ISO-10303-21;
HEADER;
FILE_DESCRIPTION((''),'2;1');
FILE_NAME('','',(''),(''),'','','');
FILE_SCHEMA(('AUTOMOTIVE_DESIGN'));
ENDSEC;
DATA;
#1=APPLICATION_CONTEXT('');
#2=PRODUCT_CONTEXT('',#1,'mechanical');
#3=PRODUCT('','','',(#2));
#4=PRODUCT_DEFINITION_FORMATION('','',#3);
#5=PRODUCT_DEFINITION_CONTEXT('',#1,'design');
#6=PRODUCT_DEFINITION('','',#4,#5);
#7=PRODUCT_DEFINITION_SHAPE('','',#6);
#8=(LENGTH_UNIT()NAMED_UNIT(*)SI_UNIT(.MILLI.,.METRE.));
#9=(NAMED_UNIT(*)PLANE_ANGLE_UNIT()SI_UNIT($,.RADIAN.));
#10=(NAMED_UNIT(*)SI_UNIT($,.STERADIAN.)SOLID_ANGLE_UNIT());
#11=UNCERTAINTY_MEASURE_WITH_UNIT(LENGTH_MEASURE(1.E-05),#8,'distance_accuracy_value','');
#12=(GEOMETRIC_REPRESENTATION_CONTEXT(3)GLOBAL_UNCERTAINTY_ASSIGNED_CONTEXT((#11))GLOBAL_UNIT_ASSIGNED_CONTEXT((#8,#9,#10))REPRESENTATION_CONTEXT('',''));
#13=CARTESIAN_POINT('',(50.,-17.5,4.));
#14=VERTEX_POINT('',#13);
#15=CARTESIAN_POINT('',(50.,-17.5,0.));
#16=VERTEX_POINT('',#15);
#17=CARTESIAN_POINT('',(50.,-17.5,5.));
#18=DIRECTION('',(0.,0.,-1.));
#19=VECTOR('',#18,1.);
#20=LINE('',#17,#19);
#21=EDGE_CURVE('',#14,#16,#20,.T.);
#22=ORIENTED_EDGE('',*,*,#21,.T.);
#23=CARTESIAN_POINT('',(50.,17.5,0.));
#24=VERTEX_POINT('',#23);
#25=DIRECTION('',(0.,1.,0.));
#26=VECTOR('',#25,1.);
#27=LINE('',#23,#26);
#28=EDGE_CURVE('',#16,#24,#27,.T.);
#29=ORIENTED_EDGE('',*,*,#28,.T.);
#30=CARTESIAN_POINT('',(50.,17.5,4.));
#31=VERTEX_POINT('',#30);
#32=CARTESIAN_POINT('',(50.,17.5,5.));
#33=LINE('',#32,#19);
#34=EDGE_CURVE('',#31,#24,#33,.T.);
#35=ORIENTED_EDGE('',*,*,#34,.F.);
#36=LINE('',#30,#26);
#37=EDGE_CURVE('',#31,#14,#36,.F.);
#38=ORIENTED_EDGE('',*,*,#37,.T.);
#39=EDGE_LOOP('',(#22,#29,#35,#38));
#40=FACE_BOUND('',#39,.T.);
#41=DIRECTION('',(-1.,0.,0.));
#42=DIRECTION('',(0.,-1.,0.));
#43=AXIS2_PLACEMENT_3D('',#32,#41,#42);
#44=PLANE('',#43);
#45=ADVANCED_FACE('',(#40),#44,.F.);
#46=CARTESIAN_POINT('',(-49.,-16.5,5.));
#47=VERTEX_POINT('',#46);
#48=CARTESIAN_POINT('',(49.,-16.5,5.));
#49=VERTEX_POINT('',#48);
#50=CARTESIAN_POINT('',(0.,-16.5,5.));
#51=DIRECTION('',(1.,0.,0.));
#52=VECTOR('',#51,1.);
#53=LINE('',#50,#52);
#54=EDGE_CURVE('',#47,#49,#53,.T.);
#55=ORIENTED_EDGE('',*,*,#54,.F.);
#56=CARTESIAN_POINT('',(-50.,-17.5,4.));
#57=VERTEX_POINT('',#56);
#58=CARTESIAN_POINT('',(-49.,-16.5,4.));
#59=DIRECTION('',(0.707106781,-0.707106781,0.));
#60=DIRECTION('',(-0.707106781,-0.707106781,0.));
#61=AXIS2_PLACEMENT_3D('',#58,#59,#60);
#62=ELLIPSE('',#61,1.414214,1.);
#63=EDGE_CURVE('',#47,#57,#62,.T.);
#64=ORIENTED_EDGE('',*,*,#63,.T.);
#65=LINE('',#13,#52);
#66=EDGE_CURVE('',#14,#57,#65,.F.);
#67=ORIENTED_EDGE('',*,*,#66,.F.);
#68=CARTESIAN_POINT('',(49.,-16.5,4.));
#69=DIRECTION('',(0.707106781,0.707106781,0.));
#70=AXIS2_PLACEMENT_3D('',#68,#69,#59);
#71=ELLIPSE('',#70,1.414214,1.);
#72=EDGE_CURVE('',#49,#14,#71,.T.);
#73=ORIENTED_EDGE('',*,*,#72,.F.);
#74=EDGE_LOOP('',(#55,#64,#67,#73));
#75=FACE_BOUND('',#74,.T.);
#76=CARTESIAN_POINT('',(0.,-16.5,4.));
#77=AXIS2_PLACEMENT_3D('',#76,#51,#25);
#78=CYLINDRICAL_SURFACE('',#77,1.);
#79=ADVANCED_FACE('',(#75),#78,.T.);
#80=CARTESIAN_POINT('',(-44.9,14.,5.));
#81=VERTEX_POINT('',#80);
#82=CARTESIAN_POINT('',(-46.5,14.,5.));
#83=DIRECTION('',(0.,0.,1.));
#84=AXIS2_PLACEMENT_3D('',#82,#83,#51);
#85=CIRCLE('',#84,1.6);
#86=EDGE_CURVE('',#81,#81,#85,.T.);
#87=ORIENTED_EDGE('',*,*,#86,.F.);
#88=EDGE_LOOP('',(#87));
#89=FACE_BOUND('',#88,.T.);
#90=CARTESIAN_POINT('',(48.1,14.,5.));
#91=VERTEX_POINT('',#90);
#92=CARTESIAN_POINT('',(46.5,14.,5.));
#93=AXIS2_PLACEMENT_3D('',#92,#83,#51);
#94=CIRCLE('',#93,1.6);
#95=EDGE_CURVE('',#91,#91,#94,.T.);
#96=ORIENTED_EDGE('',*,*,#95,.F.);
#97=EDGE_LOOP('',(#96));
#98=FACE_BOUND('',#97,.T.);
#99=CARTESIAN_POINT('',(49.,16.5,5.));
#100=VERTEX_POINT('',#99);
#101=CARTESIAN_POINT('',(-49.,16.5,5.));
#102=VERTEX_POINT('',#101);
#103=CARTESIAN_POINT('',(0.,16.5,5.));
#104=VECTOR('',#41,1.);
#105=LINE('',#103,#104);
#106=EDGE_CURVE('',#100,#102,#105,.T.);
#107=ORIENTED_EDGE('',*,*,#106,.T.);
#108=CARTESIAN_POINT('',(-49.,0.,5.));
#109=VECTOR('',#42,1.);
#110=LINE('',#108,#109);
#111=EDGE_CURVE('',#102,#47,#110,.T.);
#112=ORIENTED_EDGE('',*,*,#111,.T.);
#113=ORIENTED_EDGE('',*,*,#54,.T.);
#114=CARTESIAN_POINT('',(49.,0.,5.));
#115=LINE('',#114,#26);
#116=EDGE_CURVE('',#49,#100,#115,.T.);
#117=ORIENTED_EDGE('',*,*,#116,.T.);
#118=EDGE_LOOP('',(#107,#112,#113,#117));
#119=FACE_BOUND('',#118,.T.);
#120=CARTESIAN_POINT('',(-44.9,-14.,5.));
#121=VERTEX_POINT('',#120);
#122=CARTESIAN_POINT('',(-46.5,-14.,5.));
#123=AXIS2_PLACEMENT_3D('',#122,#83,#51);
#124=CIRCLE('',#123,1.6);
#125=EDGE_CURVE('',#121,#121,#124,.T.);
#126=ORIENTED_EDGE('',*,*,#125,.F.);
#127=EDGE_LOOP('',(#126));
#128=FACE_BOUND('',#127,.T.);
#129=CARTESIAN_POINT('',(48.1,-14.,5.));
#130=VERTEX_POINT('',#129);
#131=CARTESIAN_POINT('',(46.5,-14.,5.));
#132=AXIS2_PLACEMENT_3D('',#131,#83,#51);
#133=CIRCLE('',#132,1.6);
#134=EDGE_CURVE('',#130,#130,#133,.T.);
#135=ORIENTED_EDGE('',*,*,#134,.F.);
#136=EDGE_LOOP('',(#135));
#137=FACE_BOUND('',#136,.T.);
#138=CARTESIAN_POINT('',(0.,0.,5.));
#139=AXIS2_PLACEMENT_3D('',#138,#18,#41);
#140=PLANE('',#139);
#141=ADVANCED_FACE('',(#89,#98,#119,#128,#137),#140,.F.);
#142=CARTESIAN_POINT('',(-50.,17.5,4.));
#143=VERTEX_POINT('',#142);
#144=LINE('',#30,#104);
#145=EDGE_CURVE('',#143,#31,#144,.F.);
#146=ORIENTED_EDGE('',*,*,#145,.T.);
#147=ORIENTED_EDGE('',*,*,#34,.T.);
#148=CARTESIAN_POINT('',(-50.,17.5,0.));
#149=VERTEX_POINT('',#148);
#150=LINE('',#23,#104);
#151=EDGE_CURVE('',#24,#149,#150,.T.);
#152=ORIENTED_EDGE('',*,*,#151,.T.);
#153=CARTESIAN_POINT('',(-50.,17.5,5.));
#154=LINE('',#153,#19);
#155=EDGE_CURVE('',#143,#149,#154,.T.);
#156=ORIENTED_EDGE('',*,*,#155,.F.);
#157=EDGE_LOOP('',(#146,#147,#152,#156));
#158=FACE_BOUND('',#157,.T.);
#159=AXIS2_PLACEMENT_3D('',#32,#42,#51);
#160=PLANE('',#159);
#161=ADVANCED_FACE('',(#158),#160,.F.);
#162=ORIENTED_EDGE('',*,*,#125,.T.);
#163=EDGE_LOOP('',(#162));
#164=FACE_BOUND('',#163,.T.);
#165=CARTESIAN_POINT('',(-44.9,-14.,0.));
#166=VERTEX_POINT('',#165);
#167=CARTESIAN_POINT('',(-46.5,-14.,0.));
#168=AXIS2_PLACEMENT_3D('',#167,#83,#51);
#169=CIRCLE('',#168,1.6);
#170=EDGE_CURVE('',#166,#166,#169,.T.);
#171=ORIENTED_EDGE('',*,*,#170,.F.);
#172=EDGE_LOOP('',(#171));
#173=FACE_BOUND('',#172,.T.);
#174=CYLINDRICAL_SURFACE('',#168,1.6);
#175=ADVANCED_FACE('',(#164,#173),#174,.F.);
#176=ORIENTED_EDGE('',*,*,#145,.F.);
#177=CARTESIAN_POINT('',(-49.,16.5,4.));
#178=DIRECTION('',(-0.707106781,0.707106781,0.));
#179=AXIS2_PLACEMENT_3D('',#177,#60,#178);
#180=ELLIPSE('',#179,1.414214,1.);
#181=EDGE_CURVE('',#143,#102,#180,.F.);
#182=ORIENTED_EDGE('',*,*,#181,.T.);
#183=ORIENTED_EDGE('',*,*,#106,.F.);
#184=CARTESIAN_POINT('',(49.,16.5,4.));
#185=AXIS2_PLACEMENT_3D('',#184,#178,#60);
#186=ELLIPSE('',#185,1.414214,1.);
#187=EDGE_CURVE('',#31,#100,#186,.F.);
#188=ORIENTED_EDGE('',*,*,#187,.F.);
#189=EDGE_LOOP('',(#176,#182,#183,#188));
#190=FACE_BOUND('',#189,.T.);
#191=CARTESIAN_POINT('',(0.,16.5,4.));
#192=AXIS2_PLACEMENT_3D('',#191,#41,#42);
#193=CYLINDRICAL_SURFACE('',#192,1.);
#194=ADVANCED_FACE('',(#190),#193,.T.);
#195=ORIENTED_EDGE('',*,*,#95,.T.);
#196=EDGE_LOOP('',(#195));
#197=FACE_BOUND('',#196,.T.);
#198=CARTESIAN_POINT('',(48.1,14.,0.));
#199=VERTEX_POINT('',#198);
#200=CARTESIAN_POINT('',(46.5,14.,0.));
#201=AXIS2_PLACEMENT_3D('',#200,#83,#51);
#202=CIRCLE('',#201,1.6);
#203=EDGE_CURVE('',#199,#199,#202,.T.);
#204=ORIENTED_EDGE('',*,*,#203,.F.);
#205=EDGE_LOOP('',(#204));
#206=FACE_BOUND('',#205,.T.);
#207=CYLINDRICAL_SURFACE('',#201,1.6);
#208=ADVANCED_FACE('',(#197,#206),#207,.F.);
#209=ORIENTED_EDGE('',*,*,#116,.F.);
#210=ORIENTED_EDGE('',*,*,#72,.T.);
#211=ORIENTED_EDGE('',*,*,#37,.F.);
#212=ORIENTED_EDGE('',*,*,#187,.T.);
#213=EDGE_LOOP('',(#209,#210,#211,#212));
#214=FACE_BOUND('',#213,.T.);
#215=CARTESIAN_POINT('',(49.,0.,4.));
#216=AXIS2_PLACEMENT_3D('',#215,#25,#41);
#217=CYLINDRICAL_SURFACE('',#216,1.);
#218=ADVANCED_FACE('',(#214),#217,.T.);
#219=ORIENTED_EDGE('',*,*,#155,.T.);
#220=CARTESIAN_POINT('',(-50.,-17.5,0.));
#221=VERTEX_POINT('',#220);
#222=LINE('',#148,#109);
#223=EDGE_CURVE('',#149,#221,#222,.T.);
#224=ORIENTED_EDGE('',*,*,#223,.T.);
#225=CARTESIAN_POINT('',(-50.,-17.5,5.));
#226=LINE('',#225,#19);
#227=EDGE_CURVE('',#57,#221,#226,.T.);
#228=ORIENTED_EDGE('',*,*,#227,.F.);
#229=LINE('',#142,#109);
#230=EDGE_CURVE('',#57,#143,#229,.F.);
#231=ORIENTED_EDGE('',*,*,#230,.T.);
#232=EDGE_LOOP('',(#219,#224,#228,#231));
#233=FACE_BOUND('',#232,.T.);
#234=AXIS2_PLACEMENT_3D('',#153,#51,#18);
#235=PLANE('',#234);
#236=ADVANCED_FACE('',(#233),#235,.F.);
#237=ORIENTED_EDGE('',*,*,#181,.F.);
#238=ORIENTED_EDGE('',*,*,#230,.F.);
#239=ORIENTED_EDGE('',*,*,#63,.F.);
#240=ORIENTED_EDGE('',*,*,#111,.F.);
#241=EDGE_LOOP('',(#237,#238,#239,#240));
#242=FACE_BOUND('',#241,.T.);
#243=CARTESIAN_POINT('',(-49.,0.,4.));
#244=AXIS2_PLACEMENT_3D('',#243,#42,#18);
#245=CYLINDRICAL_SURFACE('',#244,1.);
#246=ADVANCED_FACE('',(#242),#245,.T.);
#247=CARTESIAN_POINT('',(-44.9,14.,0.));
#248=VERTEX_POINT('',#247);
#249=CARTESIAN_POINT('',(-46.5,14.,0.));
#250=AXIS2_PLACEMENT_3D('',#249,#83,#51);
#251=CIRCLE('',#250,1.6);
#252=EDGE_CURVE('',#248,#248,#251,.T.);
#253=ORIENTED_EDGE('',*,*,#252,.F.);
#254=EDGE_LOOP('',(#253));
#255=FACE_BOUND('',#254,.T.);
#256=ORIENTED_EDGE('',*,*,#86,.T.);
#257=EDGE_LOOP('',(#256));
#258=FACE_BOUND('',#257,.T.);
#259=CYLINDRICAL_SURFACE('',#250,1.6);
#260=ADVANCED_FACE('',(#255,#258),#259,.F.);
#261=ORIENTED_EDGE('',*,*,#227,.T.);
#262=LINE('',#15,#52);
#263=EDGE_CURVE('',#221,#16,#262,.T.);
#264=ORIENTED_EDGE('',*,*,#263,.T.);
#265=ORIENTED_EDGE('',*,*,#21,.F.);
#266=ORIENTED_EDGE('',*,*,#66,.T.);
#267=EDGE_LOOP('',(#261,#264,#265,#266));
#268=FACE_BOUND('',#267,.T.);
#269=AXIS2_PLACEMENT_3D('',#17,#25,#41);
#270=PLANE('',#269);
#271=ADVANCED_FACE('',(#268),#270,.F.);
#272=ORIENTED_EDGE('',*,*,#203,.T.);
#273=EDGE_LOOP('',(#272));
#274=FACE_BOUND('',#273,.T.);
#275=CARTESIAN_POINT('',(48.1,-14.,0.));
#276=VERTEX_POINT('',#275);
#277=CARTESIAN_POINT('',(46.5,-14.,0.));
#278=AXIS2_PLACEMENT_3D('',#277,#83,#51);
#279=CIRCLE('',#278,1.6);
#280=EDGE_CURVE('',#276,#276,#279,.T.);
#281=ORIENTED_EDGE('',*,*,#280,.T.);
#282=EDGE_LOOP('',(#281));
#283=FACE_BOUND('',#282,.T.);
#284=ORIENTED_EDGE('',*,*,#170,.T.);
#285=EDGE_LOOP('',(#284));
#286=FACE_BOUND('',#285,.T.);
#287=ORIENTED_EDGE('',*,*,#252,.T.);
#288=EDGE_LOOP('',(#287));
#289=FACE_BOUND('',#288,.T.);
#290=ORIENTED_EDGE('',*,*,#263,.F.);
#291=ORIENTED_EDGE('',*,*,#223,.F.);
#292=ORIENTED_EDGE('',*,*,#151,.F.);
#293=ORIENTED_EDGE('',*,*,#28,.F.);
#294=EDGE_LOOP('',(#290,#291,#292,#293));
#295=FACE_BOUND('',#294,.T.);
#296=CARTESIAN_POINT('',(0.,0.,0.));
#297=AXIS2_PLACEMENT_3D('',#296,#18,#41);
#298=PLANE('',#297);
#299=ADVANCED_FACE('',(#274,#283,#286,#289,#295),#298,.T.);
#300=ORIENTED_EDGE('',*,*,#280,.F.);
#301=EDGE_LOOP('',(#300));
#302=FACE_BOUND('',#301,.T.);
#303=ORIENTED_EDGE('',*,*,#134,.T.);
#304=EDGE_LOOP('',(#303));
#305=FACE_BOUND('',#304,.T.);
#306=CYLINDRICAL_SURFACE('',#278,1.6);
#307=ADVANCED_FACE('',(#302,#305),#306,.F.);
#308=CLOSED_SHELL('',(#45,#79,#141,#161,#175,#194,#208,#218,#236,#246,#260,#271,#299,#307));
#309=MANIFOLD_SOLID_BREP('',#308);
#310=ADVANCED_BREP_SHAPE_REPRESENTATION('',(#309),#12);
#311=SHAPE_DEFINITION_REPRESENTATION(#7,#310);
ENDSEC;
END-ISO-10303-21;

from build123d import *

# Parameters (mm, degrees)
SKETCH1_W           = 100
SKETCH1_H           = 35
BOSS_EXTRUDE1_DEPTH = 5
SKETCH2_R           = 1.6
CUT_EXTRUDE1_DEPTH  = 5
FILLET1_R           = 1


with BuildPart() as part:
    # Sketch1 → Boss-Extrude1 (new body)
    with BuildSketch(Plane.XY):
        Rectangle(SKETCH1_W, SKETCH1_H)
    extrude(amount=BOSS_EXTRUDE1_DEPTH)

    # Sketch2 → Cut-Extrude1 (cut)
    with BuildSketch(Plane.XY.offset(5)):
        with Locations((-46.5, 14)):
            Circle(SKETCH2_R)
        with Locations((-46.5, -14)):
            Circle(SKETCH2_R)
        with Locations((46.5, 14)):
            Circle(SKETCH2_R)
        with Locations((46.5, -14)):
            Circle(SKETCH2_R)
    extrude(amount=-CUT_EXTRUDE1_DEPTH, mode=Mode.SUBTRACT)

    # Fillet1
    fillet1_edges = [part.edges().sort_by_distance(p)[0] for p in [
        (50, 0, 5),
        (0, 17.5, 5),
        (-50, 0, 5),
        (0, -17.5, 5),
    ]]
    fillet(fillet1_edges, radius=FILLET1_R)


solid = part.part
